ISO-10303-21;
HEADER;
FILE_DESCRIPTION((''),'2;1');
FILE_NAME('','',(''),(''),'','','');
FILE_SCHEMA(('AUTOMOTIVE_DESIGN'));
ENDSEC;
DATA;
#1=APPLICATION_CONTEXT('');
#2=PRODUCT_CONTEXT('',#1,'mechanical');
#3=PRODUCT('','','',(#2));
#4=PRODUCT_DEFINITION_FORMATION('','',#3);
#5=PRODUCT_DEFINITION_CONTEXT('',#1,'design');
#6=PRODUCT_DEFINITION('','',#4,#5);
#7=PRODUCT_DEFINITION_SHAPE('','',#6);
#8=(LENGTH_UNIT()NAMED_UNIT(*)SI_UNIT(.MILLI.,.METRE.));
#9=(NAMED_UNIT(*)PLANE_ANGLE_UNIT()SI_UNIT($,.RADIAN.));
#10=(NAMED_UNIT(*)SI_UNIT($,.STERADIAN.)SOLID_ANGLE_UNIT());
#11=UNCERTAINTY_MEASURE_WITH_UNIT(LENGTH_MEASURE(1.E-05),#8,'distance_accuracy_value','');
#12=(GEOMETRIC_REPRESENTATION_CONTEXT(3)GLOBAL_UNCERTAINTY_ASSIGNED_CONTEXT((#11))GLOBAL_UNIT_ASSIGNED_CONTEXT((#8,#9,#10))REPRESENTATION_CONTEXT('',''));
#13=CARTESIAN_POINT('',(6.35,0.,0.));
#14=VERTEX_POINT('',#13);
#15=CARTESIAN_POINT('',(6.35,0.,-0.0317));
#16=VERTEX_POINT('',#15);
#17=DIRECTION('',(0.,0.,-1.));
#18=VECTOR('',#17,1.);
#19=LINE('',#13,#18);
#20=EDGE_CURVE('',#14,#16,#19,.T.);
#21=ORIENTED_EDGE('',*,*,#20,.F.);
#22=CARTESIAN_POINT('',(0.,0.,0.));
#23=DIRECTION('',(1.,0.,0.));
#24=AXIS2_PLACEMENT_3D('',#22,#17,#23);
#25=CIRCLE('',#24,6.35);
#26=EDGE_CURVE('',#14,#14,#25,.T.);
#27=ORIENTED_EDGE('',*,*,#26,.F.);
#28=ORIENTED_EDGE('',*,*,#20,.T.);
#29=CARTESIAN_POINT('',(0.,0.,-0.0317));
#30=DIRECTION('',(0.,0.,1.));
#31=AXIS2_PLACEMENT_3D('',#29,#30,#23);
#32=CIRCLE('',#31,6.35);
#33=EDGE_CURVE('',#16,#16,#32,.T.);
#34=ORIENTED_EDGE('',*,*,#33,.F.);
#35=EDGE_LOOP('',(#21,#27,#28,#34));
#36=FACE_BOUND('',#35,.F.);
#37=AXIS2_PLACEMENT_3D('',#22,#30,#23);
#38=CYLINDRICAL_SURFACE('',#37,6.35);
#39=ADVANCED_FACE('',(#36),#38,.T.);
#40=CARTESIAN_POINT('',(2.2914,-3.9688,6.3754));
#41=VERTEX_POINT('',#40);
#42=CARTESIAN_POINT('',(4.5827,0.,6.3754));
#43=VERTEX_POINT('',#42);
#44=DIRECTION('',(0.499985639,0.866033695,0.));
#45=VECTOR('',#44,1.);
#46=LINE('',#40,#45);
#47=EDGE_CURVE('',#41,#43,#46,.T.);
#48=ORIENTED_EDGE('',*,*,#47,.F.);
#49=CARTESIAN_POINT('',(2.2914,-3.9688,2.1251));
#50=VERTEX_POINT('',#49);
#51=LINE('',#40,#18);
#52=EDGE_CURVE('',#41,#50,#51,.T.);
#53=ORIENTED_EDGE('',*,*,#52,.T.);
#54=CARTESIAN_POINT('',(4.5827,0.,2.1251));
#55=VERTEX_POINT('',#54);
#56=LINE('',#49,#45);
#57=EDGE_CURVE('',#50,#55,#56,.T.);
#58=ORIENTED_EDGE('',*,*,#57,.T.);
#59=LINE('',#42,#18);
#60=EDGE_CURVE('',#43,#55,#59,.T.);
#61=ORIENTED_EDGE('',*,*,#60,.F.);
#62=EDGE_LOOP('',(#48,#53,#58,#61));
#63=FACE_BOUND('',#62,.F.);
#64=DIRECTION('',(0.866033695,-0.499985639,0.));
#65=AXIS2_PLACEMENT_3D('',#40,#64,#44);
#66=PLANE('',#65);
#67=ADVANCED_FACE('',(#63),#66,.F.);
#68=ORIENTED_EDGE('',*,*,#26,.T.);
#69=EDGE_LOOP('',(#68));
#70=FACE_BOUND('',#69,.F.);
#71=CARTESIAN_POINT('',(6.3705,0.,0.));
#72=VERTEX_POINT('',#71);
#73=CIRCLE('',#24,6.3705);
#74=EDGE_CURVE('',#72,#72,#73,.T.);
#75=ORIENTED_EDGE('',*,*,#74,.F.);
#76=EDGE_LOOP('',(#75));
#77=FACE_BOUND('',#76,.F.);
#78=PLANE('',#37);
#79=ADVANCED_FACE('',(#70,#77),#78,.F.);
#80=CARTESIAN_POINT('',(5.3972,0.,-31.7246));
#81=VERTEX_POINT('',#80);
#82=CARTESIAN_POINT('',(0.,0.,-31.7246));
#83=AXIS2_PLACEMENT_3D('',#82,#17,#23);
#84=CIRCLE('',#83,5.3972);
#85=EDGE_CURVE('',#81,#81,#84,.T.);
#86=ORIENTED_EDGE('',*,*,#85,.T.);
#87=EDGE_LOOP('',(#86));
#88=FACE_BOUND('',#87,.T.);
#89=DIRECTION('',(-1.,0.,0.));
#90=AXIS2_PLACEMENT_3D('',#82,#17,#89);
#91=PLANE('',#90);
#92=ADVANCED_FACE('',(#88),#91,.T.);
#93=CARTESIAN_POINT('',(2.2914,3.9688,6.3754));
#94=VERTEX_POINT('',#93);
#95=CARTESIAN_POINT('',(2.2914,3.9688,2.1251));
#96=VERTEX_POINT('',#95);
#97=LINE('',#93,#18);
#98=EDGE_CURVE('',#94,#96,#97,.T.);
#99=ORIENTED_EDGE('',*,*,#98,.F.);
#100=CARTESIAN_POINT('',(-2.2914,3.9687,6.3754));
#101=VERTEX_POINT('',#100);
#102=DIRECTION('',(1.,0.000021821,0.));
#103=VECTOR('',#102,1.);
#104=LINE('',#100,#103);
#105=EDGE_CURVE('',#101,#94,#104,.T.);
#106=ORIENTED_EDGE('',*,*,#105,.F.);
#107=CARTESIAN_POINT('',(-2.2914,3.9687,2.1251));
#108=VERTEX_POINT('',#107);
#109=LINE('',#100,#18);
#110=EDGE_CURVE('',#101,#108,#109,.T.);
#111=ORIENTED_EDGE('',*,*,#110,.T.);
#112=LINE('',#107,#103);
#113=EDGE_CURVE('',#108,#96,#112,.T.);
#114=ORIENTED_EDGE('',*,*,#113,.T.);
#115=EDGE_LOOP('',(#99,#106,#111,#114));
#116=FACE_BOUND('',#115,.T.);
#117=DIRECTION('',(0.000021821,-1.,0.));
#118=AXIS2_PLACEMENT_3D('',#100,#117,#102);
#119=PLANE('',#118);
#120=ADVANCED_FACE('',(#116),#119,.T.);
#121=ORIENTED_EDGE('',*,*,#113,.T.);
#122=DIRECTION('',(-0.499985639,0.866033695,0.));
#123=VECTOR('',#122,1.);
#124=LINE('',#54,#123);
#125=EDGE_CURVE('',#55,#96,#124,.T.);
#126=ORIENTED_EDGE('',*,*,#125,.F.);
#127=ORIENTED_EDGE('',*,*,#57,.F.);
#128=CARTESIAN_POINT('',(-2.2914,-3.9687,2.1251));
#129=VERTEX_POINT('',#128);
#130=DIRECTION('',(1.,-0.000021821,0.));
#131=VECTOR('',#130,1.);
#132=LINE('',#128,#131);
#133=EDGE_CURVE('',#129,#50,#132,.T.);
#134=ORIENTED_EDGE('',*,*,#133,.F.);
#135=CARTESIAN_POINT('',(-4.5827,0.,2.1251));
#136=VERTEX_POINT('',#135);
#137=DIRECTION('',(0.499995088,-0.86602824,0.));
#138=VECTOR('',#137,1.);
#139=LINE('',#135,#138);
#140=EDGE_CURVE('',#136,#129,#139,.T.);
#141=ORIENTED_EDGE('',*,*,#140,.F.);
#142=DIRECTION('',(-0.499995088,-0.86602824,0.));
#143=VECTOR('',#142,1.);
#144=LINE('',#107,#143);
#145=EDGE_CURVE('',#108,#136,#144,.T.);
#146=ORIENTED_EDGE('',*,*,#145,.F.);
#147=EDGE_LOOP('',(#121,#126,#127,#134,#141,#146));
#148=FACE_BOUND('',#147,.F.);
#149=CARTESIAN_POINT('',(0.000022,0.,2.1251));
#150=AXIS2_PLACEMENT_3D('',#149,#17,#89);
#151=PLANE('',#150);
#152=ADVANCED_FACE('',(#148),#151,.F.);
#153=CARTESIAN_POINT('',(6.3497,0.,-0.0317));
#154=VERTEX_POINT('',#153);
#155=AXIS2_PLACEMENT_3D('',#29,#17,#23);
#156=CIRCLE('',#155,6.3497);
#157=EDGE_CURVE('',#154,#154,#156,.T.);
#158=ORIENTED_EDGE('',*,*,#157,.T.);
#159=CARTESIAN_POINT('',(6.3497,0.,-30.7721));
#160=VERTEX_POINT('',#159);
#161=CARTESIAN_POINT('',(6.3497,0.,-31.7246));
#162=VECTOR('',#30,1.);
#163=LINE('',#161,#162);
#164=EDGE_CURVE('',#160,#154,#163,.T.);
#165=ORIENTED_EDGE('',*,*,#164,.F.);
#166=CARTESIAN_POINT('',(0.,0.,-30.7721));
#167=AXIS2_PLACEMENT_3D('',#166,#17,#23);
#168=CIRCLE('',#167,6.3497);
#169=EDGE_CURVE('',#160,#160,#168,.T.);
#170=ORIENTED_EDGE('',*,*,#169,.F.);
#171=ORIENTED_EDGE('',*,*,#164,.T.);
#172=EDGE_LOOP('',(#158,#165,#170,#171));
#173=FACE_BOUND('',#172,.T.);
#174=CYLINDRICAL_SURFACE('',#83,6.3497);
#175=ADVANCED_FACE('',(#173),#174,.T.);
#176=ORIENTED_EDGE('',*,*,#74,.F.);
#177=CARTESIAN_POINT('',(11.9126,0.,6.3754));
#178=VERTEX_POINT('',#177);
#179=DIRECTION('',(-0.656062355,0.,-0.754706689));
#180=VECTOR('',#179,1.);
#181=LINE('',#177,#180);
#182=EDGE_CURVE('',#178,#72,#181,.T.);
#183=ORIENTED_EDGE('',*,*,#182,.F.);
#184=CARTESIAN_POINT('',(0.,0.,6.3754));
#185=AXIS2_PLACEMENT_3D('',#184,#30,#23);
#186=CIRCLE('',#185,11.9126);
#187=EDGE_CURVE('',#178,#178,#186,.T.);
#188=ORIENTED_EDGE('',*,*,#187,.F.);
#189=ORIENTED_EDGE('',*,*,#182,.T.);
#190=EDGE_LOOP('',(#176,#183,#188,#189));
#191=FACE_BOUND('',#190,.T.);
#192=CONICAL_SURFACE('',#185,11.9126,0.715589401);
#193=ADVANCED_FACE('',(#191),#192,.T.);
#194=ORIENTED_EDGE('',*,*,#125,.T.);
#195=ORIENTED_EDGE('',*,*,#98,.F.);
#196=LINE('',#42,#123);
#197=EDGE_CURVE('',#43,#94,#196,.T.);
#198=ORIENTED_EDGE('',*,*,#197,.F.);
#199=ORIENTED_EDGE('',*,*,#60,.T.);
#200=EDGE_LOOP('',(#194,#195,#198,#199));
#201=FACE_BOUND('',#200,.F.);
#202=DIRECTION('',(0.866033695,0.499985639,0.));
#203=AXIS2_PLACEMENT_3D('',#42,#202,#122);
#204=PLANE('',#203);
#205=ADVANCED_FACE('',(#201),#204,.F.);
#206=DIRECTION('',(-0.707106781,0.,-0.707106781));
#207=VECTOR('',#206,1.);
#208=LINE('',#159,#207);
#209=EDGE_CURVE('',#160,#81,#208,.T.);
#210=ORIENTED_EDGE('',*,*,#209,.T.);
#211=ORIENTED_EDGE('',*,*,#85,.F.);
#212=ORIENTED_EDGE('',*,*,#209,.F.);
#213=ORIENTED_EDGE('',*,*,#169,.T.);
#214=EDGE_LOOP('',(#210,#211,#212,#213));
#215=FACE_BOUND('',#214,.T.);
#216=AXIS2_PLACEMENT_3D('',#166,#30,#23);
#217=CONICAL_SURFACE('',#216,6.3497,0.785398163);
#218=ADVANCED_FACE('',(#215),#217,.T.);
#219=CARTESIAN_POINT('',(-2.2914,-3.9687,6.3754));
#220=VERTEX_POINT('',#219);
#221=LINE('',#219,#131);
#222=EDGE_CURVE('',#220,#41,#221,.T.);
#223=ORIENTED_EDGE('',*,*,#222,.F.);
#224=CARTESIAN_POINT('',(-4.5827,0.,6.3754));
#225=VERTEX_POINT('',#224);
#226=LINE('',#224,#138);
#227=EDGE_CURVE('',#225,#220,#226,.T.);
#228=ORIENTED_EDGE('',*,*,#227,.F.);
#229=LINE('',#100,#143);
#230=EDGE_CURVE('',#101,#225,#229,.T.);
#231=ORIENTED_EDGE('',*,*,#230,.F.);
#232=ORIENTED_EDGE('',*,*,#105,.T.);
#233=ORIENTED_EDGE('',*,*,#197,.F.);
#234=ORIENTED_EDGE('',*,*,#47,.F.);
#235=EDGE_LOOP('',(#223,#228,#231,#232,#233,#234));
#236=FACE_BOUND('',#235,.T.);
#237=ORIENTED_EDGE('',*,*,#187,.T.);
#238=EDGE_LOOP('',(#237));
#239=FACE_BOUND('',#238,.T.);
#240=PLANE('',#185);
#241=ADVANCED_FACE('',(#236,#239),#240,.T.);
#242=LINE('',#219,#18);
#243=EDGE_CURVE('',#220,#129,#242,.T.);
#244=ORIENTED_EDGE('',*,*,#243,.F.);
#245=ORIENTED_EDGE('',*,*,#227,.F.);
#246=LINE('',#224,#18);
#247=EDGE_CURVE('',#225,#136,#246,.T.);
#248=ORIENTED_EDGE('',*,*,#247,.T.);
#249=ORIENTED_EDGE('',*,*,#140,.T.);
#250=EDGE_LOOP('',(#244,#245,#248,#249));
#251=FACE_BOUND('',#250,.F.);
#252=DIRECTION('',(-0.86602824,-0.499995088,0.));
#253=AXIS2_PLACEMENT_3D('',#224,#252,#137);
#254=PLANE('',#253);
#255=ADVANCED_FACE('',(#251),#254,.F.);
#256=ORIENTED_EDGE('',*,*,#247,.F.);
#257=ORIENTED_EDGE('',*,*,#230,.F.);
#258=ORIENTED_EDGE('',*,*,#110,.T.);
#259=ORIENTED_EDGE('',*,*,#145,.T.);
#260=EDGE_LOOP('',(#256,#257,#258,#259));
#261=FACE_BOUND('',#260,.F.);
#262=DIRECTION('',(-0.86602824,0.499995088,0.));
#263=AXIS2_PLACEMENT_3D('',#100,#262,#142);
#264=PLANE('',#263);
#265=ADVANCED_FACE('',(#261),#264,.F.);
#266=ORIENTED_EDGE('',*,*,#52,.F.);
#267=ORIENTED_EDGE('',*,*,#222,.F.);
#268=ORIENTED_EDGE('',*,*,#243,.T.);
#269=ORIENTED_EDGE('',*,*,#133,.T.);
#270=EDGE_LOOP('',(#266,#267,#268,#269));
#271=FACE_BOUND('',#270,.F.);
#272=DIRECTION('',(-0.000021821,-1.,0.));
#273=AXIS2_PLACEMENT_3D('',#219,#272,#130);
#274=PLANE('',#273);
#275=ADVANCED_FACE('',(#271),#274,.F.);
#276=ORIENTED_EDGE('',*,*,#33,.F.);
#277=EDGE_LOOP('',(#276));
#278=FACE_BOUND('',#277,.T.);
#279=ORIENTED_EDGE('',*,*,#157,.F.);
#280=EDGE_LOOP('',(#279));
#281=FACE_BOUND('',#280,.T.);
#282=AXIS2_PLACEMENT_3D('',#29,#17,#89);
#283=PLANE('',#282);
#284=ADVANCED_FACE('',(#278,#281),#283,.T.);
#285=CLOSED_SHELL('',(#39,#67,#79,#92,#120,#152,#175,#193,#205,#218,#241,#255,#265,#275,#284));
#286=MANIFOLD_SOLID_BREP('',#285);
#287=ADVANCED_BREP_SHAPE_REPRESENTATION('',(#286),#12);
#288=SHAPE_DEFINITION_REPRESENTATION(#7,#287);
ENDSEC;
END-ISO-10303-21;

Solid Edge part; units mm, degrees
sketch "Sketch1" plane through (0, 0, 0) normal (0, 0, 1) x (1, 0, 0)
  circle A0 centre (0, 0) radius 11.9126
  dimension "D1" = 23.8252
extrude "Protrusion1" add sketch "Sketch1" along normal blind 6.3754
sketch "Sketch2" plane through (0, 0, 0) normal (0, 0, -1) x (1, 0, 0)
  circle A0 centre (0, 0) radius 6.35
extrude "Protrusion2" add sketch "Sketch2" along normal blind 31.7246
sketch "Sketch3" plane through (0, 0, -31.7246) normal (0, 0, -1) x (1, 0, 0)
  circle A0 centre (0, 0) radius 6.3497
extrude "Cutout1" cut sketch "Sketch3" against normal blind 31.6929 flip side to cut
chamfer "Chamfer_1" distance 0.9525 angle 45 1 edges at (-6.3497, 0, -31.7246)
sketch "Sketch4" plane through (0, 0, 6.3754) normal (0, 0, 1) x (1, 0, 0)
  line L0 (-2.2914, 3.9687) -> (2.2914, 3.9688)
  line L1 (4.5827, 0) -> (2.2914, 3.9688)
  line L2 (2.2914, -3.9688) -> (4.5827, 0)
  line L3 (-2.2914, -3.9687) -> (2.2914, -3.9688)
  line L4 (-4.5827, 0) -> (-2.2914, -3.9688)
  line L5 (-2.2914, 3.9688) -> (-4.5827, 0)
  dimension "D1" = 7.9375
extrude "Cutout2" cut sketch "Sketch4" against normal blind 4.2503
sketch "Sketch5" plane through (0, 0, 0) normal (0, -1, 0) x (1, 0, 0)
  line L0 (11.9126, 6.3754) -> (6.3705, 0)
  line L1 (6.3705, 0) -> (11.9126, 0)
  line L2 (11.9126, 0) -> (11.9126, 6.3754)
revolve "RevolvedCutout1" cut sketch "Sketch5" angle 360 about axis through (0, 0, 14.0017) along (0, 0, -1)
properties part number "24103620"
